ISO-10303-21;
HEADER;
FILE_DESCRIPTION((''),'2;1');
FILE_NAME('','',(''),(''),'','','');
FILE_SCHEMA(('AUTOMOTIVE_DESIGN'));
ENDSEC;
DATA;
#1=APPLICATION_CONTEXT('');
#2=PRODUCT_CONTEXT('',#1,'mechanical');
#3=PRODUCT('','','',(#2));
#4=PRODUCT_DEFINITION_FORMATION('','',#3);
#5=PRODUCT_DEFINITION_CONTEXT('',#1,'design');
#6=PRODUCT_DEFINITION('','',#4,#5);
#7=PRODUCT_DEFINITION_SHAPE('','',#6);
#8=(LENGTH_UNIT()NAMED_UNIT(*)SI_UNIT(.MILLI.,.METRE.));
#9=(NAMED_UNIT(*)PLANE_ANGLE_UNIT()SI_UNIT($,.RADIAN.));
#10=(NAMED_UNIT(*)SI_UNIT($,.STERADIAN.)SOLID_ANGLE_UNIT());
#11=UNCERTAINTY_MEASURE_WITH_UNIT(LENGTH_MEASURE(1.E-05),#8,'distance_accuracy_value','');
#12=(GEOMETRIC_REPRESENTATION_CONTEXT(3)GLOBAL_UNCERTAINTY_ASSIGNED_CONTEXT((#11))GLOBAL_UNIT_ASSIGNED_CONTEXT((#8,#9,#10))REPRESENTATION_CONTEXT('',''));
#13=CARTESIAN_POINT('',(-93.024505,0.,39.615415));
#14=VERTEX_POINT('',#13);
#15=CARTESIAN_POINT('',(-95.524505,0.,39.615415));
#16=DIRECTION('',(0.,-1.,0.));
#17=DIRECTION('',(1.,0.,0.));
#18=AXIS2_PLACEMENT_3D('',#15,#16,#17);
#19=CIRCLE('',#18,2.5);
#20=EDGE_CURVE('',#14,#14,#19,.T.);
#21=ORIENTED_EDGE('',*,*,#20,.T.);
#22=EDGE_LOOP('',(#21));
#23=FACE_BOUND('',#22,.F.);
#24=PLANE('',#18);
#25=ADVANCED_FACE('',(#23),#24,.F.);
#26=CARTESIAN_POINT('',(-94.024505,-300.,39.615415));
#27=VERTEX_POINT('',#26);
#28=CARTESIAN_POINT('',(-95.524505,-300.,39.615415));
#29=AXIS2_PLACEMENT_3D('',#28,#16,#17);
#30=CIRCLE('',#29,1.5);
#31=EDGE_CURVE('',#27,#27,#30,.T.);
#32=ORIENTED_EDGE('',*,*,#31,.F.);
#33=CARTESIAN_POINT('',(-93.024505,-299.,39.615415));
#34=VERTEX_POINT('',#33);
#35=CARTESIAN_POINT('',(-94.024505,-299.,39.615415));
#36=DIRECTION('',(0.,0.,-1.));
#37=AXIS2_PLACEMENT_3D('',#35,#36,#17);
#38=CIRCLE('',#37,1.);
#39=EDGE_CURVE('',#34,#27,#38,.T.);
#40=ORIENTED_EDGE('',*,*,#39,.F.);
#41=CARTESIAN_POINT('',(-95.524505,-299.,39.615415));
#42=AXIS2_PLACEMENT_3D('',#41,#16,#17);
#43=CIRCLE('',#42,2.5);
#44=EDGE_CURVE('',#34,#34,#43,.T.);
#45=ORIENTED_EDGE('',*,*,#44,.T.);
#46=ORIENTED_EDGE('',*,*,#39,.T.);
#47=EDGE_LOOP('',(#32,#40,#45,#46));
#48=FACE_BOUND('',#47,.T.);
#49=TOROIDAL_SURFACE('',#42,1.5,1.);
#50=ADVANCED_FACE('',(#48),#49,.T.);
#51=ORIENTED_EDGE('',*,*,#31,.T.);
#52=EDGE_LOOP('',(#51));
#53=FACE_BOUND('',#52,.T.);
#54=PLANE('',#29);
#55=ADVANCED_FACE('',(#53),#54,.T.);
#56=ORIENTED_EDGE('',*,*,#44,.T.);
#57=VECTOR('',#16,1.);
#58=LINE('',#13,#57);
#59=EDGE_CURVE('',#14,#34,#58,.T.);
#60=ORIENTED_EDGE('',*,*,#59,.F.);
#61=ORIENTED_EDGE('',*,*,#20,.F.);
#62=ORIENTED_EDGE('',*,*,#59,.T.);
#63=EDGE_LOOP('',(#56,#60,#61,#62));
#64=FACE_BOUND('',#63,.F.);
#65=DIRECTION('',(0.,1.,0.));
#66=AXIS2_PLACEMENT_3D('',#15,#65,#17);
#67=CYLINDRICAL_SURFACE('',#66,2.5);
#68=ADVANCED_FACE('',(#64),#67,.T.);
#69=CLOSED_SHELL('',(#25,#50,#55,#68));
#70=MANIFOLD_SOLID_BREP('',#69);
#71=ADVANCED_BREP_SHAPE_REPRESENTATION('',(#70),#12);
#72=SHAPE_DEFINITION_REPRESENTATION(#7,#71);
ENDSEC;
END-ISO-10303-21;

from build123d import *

# Parameters (mm, degrees)
F0_R     = 2.5
F1_DEPTH = 300
F2_R     = 1


with BuildPart() as f1:
    # F0 (on Front) → F1 (new body)
    with BuildSketch(Plane.XZ):
        with Locations((-95.524505, 39.615415)):
            Circle(F0_R)
    extrude(amount=F1_DEPTH)

    # F2
    f2_edges = [f1.edges().sort_by_distance(p)[0] for p in [
        (-98.024505, -300, 39.615415),
    ]]
    fillet(f2_edges, radius=F2_R)


solid = f1.part
